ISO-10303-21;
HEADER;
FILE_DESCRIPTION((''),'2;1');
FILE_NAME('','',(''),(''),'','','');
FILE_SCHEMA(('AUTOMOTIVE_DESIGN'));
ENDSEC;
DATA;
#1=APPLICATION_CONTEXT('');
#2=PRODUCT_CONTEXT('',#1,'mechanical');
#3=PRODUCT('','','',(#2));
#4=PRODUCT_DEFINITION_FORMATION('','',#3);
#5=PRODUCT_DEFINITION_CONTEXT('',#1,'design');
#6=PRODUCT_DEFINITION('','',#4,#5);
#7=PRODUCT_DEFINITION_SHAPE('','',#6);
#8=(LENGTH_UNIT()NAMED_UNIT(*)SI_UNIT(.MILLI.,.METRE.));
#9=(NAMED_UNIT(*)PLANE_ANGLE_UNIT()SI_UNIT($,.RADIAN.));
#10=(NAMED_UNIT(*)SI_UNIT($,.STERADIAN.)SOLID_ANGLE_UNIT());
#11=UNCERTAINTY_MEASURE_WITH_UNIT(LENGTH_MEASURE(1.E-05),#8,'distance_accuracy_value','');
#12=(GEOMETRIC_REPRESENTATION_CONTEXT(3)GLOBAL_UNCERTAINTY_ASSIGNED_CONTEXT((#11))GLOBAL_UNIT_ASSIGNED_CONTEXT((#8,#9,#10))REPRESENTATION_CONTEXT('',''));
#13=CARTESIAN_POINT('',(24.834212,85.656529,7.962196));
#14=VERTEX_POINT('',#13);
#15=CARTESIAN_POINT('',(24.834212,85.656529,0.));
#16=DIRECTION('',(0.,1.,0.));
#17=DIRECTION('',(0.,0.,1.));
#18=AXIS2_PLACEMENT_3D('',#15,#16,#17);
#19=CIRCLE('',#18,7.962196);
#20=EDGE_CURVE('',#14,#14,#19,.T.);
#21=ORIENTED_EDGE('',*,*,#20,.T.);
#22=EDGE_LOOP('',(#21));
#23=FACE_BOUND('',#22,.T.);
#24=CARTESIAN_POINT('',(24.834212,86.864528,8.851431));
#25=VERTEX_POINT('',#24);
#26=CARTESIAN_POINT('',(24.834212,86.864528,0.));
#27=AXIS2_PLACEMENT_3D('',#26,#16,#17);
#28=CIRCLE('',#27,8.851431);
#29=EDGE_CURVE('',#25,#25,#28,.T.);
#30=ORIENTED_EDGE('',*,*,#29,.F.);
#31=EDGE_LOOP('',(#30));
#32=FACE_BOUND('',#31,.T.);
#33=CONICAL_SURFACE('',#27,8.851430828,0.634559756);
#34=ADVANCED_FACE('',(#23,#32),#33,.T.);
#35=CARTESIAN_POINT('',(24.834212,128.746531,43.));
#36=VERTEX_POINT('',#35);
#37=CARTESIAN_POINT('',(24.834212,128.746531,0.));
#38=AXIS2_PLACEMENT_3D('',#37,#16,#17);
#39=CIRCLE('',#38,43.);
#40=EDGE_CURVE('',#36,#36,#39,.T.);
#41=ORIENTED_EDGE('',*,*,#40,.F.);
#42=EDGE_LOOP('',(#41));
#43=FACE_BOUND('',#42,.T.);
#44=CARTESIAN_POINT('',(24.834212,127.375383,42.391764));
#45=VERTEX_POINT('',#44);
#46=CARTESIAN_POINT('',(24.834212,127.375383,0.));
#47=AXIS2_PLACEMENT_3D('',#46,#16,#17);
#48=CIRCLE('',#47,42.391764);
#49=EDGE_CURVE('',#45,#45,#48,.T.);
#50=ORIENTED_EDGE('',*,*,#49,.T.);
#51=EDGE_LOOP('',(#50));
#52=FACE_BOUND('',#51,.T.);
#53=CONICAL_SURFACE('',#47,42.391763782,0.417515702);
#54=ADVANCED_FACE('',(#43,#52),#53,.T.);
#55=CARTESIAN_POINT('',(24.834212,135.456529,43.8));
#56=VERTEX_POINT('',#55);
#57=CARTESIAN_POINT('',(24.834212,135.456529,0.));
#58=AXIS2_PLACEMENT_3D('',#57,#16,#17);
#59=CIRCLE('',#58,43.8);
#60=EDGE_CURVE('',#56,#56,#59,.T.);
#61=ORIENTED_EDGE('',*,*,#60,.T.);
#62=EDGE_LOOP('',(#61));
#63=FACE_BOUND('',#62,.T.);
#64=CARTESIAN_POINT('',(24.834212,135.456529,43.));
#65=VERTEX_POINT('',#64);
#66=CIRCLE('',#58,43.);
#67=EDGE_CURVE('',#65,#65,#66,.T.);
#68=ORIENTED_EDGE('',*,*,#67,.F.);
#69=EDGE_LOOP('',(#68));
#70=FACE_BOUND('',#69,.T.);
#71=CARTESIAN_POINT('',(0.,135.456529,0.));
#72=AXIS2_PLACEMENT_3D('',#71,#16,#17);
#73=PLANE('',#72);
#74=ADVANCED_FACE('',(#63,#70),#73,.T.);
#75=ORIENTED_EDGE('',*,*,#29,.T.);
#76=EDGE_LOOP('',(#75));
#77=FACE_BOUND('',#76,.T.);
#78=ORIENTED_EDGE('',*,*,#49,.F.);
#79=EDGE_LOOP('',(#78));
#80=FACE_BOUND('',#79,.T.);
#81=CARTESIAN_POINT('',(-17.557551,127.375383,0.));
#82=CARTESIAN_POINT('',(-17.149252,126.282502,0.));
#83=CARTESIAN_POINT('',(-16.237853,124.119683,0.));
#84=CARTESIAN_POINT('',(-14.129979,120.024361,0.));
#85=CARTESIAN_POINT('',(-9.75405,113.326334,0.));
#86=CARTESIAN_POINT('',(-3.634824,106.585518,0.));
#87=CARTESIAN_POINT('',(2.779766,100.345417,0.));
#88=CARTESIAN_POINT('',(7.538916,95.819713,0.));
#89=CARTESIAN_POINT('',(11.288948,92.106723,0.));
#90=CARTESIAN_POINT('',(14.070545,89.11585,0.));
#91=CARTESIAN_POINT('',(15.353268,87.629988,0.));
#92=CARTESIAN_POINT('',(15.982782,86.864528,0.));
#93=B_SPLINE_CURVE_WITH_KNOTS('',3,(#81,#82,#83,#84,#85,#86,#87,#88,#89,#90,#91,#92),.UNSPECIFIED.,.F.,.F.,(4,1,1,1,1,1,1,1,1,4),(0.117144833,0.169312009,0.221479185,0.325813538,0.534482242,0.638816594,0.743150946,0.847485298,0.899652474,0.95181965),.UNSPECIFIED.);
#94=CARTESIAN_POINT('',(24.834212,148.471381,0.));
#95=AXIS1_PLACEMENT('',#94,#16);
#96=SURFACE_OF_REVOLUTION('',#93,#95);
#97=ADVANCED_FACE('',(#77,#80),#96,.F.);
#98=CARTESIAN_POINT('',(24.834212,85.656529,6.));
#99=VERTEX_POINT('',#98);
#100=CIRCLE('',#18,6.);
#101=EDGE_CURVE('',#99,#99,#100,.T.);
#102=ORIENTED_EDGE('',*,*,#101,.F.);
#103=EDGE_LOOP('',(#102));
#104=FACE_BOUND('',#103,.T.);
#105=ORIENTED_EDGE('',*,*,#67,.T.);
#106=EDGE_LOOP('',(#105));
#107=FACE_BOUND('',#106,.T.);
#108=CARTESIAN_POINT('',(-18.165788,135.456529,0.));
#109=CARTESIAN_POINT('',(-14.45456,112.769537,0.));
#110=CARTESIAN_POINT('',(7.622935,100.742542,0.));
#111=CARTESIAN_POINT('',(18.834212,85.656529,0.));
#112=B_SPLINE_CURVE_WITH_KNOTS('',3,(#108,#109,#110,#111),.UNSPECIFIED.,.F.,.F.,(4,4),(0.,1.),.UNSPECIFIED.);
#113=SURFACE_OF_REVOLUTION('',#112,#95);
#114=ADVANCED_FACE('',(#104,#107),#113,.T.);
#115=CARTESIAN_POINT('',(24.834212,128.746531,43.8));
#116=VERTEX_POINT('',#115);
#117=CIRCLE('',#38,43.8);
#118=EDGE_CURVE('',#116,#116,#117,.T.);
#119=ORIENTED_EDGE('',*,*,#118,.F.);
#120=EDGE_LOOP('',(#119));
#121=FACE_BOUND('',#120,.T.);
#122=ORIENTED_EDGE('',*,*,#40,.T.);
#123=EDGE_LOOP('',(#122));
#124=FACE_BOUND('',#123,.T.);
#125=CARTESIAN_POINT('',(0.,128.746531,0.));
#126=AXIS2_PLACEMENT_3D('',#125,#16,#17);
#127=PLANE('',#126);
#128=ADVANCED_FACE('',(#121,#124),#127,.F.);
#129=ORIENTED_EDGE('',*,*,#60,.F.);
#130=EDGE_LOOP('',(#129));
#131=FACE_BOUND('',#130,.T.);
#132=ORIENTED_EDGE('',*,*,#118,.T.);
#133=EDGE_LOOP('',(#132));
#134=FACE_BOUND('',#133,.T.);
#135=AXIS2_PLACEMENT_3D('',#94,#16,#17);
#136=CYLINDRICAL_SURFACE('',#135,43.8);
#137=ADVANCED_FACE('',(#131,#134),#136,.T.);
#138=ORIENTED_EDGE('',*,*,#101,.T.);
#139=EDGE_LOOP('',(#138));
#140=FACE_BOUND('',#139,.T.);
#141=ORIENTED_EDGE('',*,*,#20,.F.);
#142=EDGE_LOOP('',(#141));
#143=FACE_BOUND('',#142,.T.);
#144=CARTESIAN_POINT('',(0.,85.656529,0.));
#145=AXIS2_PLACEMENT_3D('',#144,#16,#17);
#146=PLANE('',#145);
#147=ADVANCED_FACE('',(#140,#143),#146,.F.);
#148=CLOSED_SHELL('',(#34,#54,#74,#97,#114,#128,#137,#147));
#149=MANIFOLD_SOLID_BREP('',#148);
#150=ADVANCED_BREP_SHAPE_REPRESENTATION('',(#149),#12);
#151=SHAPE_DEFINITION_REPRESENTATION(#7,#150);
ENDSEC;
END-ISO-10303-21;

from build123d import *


with BuildPart() as part:
    # Sketch1 → Revolve1 (revolve)
    with BuildSketch(Plane.XY, mode=Mode.PRIVATE) as revolve1_sk:
        with BuildLine():
            Line((18.834212464, 85.656528888), (16.872016179, 85.656528888))
            Line((16.872016179, 85.656528888), (15.982781636, 86.86452803))
            add(Edge.make_bspline(
                [(-17.557551318, 127.375382727), (-17.149252008, 126.282501553), (-16.237853417, 124.119682516), (-14.129979086, 120.024361387), (-9.75405026, 113.3263342), (-3.634824269, 106.585517876), (2.779766009, 100.345416982), (7.538915569, 95.819712917), (11.288948131, 92.106723437), (14.070545225, 89.115850224), (15.353268122, 87.629988), (15.982781636, 86.86452803)],
                knots=[0.117144833, 0.117144833, 0.117144833, 0.117144833, 0.169312009, 0.221479185, 0.325813538, 0.534482242, 0.638816594, 0.743150946, 0.847485298, 0.899652474, 0.95181965, 0.95181965, 0.95181965, 0.95181965], degree=3))
            Line((-17.557551318, 127.375382727), (-18.165787536, 128.746531407))
            Line((-18.165787536, 128.746531407), (-18.965787536, 128.746531407))
            Line((-18.965787536, 128.746531407), (-18.965787536, 135.456528888))
            Line((-18.965787536, 135.456528888), (-18.165787536, 135.456528888))
            add(Edge.make_bspline(
                [(-18.165787536, 135.456528888), (-14.45456026, 112.769537057), (7.622935344, 100.742541923), (18.834212464, 85.656528888)],
                knots=[0, 0, 0, 0, 1, 1, 1, 1], degree=3))
        make_face()
    revolve(revolve1_sk.sketch.rotate(Axis((24.834212464, 148.471380655, 0), (0, -1, 0)), 270), axis=Axis((24.834212464, 148.471380655, 0), (0, -1, 0)))


solid = part.part
